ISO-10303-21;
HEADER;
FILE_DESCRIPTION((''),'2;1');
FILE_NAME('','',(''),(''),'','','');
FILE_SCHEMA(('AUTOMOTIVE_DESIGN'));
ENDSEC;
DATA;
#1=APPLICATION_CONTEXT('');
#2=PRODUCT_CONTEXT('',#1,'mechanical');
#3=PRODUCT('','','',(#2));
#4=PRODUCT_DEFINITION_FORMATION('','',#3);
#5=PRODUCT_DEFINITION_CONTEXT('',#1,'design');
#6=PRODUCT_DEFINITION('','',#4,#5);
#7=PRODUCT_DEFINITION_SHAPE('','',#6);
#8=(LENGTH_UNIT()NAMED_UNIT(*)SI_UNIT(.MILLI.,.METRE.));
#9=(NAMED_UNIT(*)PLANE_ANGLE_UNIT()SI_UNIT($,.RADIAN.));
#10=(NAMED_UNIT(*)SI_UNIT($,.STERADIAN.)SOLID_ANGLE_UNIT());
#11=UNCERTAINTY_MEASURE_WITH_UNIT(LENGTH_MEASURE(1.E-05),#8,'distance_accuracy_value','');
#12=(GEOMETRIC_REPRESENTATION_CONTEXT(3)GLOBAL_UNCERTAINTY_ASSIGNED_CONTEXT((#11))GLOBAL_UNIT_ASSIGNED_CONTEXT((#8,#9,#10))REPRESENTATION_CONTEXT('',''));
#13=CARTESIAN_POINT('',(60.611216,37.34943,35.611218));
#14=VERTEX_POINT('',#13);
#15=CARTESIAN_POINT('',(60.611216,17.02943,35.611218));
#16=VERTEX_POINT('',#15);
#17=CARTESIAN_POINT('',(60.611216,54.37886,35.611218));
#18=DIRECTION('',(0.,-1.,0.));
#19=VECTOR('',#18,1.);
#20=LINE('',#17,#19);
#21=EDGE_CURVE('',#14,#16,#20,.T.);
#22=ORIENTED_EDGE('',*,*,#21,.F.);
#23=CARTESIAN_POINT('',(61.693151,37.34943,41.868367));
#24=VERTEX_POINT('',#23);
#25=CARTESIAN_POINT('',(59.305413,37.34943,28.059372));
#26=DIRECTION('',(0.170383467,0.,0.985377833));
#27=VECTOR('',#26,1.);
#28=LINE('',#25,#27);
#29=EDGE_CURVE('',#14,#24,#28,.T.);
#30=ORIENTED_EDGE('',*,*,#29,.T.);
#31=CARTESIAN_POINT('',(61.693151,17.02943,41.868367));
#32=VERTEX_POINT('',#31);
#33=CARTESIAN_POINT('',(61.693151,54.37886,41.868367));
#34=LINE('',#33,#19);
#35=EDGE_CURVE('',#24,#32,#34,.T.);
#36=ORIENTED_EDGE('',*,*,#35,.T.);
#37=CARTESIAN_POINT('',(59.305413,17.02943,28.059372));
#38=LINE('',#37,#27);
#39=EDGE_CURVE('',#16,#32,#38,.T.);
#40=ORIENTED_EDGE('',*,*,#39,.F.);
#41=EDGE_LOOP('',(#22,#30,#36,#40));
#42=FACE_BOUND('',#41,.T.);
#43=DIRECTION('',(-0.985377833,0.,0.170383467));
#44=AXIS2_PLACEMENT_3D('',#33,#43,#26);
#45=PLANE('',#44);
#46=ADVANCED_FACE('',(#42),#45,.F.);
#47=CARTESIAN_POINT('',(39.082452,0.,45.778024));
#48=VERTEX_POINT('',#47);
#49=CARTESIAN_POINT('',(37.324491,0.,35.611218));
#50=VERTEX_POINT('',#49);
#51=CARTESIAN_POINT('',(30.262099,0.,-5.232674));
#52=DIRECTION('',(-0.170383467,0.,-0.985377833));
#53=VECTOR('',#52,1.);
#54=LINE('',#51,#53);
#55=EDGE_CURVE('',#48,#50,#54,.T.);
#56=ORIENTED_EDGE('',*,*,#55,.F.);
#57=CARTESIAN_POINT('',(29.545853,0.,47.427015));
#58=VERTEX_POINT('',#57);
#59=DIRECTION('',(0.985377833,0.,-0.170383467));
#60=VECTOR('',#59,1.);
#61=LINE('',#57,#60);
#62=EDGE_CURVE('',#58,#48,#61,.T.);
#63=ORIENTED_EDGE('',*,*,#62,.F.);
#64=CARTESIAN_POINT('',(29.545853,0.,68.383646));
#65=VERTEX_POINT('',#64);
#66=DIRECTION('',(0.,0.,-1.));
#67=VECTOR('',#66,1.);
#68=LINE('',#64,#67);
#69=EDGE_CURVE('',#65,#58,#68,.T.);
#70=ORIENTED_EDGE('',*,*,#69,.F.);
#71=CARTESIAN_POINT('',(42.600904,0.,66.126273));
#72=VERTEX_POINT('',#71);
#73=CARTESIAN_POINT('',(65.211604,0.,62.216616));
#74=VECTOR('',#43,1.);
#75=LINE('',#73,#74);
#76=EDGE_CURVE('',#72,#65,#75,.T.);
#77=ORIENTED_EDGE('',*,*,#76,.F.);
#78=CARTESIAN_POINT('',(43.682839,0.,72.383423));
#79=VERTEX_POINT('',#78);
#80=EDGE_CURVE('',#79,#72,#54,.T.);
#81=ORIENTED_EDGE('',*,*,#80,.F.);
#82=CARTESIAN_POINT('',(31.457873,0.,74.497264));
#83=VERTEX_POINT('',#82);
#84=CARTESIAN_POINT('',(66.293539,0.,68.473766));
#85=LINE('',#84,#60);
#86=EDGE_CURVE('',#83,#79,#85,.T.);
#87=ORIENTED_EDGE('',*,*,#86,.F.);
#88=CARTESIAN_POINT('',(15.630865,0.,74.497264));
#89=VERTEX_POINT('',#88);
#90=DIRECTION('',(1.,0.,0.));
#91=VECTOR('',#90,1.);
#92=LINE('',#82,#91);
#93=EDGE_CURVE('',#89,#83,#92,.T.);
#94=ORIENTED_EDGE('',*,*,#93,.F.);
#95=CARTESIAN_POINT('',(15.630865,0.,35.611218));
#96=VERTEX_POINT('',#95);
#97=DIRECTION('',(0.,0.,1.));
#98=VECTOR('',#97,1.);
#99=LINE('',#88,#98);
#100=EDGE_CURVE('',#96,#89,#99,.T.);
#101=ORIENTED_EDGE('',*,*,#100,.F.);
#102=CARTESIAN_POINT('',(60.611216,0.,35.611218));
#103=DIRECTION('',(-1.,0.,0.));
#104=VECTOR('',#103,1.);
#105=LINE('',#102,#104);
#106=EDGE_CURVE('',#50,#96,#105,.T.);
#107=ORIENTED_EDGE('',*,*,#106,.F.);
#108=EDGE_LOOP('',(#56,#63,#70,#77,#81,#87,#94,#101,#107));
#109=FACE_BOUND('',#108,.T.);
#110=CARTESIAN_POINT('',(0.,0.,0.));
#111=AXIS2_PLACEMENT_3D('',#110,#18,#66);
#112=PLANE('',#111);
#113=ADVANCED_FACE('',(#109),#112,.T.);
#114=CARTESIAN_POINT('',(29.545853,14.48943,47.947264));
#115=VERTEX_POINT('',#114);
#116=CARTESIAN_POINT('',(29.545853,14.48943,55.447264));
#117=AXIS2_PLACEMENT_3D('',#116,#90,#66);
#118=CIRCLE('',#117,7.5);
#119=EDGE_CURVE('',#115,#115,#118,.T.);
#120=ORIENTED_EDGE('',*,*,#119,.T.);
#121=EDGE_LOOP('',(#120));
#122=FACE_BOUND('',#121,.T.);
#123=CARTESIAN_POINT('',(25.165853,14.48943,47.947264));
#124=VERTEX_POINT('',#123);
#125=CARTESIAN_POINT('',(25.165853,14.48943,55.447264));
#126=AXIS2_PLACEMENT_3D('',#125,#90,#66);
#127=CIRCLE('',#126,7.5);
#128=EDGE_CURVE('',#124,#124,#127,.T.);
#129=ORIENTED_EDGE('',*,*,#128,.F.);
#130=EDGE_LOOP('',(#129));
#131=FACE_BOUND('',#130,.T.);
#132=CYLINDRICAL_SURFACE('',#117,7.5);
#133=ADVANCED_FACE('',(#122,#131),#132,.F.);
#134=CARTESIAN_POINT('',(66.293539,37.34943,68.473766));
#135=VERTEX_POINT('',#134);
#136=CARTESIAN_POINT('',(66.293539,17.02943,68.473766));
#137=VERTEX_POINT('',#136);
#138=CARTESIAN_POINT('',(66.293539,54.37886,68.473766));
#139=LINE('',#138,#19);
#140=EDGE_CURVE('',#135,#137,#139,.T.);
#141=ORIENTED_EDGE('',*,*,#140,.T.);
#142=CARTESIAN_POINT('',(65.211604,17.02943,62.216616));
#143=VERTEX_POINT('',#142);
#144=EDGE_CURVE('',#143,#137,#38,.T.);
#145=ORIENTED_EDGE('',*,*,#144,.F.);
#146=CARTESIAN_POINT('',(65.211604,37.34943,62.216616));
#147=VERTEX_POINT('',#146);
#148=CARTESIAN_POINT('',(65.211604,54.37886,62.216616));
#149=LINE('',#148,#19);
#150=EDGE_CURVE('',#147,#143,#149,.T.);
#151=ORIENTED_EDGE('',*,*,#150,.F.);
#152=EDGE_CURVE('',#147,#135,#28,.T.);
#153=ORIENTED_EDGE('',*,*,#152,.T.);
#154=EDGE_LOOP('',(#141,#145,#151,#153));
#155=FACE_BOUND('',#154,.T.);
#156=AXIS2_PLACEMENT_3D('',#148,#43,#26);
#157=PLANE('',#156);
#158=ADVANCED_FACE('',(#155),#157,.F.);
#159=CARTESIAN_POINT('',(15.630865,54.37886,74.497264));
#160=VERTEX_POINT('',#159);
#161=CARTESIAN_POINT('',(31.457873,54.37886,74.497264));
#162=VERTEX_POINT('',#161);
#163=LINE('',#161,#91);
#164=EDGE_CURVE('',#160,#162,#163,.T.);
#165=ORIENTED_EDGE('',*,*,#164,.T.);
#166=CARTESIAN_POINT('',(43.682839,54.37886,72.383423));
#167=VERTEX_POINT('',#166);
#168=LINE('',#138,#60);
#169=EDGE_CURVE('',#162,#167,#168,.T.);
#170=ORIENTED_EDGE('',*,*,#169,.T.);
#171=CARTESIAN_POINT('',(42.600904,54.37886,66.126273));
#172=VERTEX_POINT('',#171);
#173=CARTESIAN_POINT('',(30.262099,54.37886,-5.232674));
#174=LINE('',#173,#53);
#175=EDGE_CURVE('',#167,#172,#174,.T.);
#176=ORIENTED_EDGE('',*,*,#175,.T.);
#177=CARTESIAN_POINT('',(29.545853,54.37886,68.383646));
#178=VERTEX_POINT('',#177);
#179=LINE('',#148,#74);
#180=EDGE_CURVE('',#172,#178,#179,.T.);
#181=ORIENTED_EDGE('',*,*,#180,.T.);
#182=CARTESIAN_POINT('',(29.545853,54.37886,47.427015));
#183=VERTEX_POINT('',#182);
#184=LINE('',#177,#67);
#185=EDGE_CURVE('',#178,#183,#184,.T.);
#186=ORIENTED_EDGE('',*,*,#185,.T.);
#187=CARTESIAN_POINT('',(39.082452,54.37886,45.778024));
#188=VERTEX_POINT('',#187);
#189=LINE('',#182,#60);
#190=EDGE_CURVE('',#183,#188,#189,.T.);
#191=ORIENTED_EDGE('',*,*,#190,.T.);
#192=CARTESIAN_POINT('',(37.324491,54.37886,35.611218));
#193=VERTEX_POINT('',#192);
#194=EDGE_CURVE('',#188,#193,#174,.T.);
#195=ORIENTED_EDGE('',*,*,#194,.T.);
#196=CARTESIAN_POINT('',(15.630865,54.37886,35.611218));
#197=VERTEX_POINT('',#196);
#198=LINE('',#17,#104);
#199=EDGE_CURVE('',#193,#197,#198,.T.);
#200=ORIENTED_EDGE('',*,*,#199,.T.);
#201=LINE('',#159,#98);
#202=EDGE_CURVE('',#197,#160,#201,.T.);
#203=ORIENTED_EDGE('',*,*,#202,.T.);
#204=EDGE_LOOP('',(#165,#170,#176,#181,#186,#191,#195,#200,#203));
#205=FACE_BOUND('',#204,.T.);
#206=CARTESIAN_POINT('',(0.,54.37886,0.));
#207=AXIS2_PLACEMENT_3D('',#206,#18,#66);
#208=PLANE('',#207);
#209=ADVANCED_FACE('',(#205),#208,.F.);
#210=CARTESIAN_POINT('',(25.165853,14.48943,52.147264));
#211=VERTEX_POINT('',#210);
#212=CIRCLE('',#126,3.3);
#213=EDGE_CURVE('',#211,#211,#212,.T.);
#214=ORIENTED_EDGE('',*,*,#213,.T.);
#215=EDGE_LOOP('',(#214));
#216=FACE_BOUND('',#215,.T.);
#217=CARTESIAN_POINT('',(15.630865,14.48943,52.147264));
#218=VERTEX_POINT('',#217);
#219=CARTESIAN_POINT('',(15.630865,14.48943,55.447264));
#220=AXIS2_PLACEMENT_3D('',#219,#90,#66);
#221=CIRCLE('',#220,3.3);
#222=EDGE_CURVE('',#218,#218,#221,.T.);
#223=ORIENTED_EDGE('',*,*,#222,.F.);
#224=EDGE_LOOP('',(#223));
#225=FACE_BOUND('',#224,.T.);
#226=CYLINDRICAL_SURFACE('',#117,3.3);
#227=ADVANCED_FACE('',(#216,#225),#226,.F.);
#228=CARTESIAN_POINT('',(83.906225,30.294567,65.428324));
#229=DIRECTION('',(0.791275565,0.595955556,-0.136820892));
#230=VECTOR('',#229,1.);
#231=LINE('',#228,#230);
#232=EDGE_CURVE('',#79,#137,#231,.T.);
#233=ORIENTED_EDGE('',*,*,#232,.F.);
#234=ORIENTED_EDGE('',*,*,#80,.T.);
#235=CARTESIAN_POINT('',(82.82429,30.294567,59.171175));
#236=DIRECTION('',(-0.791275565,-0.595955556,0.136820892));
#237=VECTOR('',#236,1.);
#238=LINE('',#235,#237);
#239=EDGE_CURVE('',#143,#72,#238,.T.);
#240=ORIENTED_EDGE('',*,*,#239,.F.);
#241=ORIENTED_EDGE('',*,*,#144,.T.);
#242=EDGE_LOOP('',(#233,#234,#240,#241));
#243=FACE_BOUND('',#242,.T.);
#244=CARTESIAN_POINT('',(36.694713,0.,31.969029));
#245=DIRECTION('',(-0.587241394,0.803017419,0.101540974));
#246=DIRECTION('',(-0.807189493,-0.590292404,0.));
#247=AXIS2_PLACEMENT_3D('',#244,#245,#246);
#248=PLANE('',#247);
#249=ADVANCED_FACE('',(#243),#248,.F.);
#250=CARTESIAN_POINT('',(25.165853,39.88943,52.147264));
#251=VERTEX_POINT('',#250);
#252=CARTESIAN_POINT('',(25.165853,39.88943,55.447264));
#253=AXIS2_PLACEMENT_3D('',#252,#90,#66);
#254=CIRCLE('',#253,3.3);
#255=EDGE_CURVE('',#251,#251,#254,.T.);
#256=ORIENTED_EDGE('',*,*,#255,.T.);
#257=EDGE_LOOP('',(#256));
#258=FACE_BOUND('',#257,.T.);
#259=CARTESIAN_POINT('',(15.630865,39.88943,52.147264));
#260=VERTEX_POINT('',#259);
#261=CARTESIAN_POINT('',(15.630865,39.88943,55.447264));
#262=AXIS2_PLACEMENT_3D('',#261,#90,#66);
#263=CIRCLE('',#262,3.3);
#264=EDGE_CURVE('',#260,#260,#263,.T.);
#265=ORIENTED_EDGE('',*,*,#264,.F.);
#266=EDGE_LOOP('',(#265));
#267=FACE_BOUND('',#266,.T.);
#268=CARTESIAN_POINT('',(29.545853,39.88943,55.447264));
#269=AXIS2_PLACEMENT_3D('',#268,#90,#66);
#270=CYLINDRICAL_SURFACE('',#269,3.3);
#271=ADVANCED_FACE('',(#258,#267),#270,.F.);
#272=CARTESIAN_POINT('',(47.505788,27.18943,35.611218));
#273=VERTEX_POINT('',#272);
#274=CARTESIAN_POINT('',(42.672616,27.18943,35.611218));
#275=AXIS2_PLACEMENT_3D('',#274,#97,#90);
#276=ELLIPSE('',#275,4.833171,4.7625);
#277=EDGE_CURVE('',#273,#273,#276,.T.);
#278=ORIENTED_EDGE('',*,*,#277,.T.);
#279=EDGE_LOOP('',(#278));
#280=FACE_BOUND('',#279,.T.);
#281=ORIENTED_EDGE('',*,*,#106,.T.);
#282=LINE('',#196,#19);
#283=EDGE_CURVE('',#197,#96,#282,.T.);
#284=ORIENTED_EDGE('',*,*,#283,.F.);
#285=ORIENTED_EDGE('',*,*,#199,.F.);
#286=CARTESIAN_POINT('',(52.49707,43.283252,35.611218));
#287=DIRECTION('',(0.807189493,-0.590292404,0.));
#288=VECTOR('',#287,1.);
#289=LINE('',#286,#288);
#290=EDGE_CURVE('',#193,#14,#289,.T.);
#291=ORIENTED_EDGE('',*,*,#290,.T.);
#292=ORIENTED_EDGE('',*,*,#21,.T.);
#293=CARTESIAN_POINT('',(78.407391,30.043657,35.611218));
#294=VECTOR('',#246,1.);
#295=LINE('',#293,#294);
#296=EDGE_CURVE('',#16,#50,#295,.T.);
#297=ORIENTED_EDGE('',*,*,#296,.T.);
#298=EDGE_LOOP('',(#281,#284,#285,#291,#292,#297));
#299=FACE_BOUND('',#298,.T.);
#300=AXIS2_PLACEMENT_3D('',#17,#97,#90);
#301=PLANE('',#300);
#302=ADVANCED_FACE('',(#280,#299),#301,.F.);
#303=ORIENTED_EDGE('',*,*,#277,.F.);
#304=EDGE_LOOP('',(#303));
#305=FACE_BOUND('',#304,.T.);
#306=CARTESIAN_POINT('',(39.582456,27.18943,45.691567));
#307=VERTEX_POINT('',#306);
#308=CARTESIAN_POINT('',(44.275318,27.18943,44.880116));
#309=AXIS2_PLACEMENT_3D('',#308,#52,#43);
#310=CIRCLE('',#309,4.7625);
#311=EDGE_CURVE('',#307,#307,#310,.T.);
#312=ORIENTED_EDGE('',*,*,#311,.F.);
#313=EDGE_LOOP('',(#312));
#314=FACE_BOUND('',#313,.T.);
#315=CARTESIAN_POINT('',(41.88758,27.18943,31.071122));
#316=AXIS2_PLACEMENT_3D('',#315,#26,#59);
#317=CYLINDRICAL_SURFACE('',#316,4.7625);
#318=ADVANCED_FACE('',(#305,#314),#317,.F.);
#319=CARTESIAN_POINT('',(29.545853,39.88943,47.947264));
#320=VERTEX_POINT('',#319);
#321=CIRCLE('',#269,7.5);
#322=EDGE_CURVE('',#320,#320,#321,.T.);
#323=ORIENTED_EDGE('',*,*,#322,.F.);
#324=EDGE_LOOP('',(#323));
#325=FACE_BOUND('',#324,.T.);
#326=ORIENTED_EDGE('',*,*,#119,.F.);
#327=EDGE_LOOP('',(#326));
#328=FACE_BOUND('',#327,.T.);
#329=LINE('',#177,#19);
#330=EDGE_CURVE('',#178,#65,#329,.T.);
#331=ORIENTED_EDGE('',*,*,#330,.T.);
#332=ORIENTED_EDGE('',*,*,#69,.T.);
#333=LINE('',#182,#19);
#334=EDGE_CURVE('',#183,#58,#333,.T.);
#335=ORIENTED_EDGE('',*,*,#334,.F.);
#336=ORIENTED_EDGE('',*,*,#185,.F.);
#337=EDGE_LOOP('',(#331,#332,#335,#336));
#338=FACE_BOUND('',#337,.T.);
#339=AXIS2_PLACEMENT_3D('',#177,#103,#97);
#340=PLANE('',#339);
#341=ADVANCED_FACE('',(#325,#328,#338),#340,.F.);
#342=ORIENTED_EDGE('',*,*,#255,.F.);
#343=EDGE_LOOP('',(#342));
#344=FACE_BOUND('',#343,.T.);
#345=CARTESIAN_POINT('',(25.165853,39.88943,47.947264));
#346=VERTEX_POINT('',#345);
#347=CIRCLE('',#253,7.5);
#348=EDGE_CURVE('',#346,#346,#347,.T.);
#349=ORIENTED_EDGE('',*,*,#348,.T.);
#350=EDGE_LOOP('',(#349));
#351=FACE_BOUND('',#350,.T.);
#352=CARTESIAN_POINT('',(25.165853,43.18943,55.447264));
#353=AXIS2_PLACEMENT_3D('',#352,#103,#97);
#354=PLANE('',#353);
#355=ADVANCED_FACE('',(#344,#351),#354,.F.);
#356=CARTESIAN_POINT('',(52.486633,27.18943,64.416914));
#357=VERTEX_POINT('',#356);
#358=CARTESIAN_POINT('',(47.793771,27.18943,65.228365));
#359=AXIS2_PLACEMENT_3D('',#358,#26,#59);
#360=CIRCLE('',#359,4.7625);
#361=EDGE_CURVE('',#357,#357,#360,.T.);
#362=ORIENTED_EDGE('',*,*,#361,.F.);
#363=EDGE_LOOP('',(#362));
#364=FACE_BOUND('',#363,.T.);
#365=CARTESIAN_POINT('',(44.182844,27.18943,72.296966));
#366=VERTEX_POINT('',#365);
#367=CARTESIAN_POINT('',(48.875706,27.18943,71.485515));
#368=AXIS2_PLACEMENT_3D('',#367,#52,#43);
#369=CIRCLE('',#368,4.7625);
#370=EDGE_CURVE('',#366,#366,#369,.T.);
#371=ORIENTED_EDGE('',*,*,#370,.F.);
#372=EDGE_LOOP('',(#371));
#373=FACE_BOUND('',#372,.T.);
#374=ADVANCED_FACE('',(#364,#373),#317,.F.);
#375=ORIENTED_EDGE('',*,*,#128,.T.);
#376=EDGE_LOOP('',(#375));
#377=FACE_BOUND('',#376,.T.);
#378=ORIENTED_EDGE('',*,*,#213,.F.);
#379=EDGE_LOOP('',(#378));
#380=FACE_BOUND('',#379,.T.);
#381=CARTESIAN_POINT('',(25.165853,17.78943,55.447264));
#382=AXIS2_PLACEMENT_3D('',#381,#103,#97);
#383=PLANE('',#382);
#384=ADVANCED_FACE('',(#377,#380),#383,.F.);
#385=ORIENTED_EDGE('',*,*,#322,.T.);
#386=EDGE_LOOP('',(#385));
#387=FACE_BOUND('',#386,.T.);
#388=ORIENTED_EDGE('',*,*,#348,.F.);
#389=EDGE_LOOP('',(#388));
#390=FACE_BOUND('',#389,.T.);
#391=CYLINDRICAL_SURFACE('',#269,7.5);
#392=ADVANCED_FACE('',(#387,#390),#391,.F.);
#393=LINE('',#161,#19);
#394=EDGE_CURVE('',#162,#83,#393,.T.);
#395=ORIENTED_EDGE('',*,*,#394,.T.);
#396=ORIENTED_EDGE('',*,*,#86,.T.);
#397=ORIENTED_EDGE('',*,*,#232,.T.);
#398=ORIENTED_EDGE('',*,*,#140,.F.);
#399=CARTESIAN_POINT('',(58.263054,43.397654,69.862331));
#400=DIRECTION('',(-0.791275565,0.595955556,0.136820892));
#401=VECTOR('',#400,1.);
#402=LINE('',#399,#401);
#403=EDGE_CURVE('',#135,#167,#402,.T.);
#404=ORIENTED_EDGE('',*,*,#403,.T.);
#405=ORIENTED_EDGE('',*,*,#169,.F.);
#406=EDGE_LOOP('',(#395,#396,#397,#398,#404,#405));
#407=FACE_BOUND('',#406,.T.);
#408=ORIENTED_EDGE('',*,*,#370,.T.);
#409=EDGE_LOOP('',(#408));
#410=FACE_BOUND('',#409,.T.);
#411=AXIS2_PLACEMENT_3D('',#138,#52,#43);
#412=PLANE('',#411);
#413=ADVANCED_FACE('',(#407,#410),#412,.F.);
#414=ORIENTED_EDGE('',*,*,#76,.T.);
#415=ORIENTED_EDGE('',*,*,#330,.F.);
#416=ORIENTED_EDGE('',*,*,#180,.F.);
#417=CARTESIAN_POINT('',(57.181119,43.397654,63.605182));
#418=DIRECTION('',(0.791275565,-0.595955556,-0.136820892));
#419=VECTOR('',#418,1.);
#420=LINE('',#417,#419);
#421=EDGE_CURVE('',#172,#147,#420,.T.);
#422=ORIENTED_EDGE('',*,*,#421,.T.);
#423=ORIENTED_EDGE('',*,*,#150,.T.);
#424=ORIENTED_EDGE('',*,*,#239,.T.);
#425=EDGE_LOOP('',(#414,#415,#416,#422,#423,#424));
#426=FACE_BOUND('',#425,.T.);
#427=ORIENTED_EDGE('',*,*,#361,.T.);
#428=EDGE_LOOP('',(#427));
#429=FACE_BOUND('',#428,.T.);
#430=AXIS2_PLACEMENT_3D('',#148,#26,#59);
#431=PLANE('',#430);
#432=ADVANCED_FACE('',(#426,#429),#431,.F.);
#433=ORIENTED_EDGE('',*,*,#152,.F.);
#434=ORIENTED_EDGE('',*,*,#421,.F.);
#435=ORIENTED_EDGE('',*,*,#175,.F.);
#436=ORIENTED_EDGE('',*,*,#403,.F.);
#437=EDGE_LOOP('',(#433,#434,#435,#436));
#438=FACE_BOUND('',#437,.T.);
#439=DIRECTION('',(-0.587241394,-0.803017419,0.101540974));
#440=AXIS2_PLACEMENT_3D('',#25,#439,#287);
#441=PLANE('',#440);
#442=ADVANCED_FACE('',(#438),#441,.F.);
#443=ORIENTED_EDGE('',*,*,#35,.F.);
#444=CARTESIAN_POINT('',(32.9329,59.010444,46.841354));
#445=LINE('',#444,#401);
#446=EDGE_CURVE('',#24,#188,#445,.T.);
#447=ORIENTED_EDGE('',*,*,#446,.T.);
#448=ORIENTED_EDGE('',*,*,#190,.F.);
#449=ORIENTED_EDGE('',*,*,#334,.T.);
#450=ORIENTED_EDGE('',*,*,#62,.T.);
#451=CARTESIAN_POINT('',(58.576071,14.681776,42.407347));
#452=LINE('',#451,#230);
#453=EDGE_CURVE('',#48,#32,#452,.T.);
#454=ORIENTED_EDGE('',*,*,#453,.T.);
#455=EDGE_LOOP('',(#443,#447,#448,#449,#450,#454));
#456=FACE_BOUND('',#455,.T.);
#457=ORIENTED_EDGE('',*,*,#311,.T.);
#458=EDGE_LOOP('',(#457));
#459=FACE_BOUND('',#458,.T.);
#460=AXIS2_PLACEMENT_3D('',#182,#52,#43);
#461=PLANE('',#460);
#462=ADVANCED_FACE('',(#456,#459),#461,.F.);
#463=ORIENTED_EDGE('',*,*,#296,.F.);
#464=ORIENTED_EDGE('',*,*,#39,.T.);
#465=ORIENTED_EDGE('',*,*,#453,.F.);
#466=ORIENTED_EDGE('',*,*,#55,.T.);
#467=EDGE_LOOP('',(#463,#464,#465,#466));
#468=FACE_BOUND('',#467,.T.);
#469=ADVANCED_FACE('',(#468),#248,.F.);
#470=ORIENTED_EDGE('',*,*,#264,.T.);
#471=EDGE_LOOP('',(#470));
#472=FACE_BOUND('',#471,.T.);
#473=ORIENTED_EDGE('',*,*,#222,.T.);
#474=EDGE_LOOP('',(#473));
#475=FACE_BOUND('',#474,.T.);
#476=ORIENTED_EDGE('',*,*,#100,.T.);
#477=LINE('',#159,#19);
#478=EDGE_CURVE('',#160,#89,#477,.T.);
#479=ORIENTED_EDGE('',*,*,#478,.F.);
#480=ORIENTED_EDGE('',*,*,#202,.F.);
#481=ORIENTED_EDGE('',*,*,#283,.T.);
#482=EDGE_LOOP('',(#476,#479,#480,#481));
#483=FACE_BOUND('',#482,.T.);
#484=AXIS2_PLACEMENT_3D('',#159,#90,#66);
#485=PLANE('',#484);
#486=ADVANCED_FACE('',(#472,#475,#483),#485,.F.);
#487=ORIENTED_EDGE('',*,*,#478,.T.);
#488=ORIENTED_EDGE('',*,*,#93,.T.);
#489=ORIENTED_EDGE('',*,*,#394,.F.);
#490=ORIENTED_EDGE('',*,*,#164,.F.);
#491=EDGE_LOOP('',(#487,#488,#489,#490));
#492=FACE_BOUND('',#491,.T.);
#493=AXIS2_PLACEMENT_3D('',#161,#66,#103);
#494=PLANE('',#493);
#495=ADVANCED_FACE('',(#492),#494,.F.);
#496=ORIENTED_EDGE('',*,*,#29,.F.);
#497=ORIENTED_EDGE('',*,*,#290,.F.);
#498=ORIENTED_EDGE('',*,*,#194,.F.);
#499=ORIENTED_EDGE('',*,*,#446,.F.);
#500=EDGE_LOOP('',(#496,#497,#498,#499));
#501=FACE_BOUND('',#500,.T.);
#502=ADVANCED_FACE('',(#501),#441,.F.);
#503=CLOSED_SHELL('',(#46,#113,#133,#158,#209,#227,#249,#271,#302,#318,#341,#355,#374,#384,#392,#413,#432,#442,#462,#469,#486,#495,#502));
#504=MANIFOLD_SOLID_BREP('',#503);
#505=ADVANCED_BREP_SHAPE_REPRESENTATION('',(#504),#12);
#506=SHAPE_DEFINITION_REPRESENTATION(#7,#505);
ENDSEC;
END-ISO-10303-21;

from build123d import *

# Parameters (mm, degrees)
BOSS_EXTRUDE1_DEPTH                     = 54.37886
CUT_EXTRUDE1_DEPTH                      = 87.700652431
CUT_EXTRUDE1_DEPTH_BACK                 = 87.700652431
SKETCH2_R                               = 4.7625
CBORE_FOR_M6_HEX_HEAD_BOLT1_D           = 6.6
CBORE_FOR_M6_HEX_HEAD_BOLT1_DEPTH       = 14.019159957
CBORE_FOR_M6_HEX_HEAD_BOLT1_CBORE_D     = 15
CBORE_FOR_M6_HEX_HEAD_BOLT1_CBORE_DEPTH = 4.38
CBORE_FOR_M6_HEX_HEAD_BOLT1_TIP         = 1.982840043


with BuildPart() as part:
    # Sketch1 → Boss-Extrude1 (new body)
    with BuildSketch(Plane(origin=(0, 0, 0), x_dir=(1, 0, 0), z_dir=(0, 1, 0))):
        Polygon((15.630864679, -74.497263655), (15.630864679, -35.611217769), (60.611215954, -35.611217769), (61.693150972, -41.86836701), (29.545852981, -47.427014582), (29.545852981, -68.383645943), (65.211603651, -62.21661634), (66.293538669, -68.47376558), (31.457873152, -74.497263655), align=None)
    extrude(amount=BOSS_EXTRUDE1_DEPTH)

    # Sketch2 → Cut-Extrude1 (cut, two sides: drawn at the far end of the back side and taken through both)
    with BuildSketch(Plane(origin=(13.420740042, 0, 77.616097039), x_dir=(0.9853778331324855, 0, -0.17038346742312627), z_dir=(0.17038346742312627, 0, 0.9853778331324856)).offset(-CUT_EXTRUDE1_DEPTH_BACK)):
        with Locations((35.981087332, 27.18943)):
            Circle(SKETCH2_R)
        Polygon((30.711163119, 0), (53.657385878, 17.02943), (53.657385878, 0), align=None)
        Polygon((53.657385878, 37.34943), (30.711163119, 54.37886), (53.657385878, 54.37886), align=None)
    extrude(amount=CUT_EXTRUDE1_DEPTH + CUT_EXTRUDE1_DEPTH_BACK, mode=Mode.SUBTRACT)

    # CBORE for M6 Hex Head Bolt1
    with Locations(Plane(origin=(29.545852981, 0, 0), x_dir=(0, 0, -1), z_dir=(1, 0, 0))):
        with Locations((-55.447263655, 14.48943), (-55.447263655, 39.88943)):
            CounterBoreHole(CBORE_FOR_M6_HEX_HEAD_BOLT1_D / 2, CBORE_FOR_M6_HEX_HEAD_BOLT1_CBORE_D / 2, CBORE_FOR_M6_HEX_HEAD_BOLT1_CBORE_DEPTH, depth=CBORE_FOR_M6_HEX_HEAD_BOLT1_DEPTH)
            with Locations((0, 0, -(CBORE_FOR_M6_HEX_HEAD_BOLT1_DEPTH + CBORE_FOR_M6_HEX_HEAD_BOLT1_TIP / 2))):  # 118° drill point
                Cone(0, CBORE_FOR_M6_HEX_HEAD_BOLT1_D / 2, CBORE_FOR_M6_HEX_HEAD_BOLT1_TIP, mode=Mode.SUBTRACT)


solid = part.part
